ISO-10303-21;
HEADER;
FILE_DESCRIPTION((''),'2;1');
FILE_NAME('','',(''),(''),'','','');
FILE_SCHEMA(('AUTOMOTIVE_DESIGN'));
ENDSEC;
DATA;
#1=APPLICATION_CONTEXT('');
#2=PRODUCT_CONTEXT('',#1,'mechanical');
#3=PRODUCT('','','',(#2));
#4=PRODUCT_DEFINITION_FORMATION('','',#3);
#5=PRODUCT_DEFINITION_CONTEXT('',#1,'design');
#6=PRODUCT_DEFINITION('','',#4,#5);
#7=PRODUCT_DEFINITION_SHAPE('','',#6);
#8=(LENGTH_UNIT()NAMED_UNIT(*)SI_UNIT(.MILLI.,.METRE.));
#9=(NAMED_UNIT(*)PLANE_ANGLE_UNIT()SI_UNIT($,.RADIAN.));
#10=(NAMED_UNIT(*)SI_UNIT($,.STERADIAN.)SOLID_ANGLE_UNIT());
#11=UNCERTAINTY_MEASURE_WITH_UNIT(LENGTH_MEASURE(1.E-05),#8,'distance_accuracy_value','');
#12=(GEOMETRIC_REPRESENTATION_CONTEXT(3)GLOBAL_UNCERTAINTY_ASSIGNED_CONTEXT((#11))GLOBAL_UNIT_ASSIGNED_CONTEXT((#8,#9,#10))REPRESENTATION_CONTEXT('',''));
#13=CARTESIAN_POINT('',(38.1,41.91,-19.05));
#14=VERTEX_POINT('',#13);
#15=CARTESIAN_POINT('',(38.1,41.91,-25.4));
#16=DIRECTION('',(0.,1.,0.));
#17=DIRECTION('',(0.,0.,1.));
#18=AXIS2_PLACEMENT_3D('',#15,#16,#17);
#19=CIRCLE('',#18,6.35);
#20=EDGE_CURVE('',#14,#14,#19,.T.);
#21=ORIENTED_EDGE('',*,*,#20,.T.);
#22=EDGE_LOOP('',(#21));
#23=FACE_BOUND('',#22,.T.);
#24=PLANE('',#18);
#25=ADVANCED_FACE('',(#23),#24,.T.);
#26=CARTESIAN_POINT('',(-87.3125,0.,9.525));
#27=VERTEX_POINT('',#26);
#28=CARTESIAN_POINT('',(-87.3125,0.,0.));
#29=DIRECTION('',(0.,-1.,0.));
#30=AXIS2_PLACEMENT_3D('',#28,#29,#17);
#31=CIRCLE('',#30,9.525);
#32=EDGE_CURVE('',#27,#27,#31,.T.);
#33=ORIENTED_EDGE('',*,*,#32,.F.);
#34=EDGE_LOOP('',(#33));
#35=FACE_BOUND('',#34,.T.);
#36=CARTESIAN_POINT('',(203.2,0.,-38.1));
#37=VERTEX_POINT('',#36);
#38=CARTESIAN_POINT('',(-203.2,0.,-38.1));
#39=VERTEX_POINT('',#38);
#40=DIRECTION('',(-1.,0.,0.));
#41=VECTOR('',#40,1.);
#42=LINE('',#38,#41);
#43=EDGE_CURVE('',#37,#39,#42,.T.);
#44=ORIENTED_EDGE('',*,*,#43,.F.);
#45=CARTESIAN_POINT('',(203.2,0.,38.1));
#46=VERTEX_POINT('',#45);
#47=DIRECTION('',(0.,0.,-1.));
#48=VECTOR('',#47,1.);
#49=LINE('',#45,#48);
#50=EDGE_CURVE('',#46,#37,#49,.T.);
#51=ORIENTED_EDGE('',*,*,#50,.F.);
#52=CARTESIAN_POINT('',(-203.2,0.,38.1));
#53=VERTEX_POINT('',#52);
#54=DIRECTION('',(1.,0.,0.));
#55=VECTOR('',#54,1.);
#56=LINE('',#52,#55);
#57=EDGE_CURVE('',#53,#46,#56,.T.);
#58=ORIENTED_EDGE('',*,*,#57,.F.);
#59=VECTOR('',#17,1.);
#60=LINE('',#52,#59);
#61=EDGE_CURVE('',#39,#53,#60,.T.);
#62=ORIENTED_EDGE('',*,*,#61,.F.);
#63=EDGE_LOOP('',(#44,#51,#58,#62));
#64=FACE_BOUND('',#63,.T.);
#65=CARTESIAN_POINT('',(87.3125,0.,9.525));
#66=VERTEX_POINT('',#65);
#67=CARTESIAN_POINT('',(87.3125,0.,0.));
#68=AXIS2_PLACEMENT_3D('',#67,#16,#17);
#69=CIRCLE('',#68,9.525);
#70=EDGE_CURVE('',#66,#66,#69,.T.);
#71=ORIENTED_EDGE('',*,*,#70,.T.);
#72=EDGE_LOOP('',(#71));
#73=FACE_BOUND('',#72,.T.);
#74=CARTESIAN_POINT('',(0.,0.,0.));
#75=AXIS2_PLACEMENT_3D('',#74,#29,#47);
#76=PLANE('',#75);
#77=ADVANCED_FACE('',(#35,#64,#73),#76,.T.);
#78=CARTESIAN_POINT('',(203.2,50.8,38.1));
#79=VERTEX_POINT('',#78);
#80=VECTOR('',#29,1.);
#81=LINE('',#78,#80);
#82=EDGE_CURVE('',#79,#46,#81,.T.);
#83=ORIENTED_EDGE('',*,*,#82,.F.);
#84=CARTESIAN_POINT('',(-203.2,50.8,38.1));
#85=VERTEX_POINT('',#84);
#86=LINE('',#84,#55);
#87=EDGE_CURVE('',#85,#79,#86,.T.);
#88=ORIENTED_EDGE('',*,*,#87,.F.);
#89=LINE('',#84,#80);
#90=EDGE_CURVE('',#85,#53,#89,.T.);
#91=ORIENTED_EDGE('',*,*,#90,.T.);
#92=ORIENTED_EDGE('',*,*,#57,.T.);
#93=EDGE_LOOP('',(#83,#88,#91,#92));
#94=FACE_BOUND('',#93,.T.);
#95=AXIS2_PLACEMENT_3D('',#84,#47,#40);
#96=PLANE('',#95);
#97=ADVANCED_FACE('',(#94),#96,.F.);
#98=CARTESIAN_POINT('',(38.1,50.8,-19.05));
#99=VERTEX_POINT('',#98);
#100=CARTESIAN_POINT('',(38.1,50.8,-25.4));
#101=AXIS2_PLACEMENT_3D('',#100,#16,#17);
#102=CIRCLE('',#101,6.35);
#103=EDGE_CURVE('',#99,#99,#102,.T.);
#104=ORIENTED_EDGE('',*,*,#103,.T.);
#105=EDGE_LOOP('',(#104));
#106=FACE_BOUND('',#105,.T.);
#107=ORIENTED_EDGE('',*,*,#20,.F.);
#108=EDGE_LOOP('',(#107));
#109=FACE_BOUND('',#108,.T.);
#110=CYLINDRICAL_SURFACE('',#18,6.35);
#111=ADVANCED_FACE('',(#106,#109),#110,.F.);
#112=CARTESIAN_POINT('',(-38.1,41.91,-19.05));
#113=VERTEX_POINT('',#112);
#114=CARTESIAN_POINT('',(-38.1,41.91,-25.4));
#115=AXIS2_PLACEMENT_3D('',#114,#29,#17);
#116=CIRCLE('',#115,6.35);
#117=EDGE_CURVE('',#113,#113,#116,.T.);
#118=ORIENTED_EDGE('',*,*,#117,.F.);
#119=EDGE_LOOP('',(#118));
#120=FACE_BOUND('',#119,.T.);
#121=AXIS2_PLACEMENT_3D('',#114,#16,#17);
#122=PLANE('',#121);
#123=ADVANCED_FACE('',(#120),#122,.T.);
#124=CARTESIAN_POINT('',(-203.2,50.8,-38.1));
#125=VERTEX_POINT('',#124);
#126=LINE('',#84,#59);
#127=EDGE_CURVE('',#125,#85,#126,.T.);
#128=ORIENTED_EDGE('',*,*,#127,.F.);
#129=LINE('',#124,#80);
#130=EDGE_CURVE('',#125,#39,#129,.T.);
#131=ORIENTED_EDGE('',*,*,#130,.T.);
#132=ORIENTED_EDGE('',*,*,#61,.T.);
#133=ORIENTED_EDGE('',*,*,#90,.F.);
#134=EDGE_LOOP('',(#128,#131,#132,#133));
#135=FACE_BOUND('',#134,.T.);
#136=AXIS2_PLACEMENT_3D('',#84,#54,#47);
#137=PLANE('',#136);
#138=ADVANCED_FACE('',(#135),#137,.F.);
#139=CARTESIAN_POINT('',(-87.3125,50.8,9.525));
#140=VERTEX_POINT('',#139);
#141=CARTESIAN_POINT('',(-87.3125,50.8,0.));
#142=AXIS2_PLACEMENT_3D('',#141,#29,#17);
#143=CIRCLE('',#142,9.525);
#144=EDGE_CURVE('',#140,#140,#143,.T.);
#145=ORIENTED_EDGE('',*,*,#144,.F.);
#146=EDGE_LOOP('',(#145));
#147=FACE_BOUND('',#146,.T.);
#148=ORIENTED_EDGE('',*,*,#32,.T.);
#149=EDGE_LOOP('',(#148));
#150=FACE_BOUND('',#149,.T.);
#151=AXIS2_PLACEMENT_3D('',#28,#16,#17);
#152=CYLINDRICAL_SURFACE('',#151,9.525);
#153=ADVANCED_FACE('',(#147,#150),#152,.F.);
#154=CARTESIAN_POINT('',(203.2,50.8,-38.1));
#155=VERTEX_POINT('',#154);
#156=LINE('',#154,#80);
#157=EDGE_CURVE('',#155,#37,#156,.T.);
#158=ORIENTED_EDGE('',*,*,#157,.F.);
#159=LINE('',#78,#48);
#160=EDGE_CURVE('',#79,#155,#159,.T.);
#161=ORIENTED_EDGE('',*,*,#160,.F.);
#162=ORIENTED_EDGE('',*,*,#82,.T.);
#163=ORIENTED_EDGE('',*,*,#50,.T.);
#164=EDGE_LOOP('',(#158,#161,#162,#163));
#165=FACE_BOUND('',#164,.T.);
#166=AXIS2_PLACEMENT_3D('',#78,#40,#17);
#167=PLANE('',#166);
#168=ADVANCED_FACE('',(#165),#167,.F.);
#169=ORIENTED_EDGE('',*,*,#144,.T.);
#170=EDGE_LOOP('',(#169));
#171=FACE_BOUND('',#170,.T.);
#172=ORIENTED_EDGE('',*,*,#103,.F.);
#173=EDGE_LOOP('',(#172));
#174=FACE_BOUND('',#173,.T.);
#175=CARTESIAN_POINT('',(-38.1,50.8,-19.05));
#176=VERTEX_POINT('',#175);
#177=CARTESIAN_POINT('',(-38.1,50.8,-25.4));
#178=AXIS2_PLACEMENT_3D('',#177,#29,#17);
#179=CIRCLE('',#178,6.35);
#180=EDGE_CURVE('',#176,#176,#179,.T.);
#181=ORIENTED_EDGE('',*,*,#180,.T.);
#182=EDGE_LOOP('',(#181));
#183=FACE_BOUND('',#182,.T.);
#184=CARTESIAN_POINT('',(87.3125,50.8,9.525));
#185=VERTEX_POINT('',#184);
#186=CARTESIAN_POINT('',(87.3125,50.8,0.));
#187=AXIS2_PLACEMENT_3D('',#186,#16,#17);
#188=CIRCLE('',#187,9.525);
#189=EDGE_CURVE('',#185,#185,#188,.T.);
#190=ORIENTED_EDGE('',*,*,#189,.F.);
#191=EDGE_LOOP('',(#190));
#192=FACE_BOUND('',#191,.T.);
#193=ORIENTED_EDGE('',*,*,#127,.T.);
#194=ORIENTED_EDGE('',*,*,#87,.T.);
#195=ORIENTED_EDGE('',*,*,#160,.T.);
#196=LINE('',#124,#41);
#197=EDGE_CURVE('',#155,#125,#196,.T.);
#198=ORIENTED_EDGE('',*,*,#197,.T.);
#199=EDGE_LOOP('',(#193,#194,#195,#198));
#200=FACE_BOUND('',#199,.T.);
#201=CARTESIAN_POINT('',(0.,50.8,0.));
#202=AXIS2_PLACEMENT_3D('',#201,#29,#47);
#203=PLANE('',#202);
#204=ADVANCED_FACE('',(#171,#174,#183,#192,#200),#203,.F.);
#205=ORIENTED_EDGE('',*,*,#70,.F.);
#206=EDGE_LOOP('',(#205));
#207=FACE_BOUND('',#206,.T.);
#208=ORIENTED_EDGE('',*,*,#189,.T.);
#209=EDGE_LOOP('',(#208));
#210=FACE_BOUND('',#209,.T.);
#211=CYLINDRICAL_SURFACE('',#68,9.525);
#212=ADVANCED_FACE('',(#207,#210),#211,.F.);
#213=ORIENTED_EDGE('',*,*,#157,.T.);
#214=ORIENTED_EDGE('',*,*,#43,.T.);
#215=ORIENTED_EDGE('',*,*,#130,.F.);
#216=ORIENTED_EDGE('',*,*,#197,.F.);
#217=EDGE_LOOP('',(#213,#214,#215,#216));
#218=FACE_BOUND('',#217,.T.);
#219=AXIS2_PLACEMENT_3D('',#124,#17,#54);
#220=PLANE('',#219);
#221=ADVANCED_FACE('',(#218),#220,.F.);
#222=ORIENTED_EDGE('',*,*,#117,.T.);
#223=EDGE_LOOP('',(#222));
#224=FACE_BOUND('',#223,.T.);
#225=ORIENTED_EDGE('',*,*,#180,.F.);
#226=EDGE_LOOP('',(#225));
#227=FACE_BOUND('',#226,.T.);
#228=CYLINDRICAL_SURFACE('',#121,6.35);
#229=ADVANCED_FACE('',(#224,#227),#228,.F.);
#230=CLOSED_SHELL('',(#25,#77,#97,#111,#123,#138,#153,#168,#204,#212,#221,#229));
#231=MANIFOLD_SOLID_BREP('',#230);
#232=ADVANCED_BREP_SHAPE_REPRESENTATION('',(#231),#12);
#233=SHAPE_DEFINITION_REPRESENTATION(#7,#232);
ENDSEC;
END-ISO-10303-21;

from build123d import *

# Parameters (mm, degrees)
SKETCH1_W           = 406.4
SKETCH1_H           = 76.2
BOSS_EXTRUDE1_DEPTH = 50.8
SKETCH3_R           = 9.525
CUT_EXTRUDE1_DEPTH  = 50.8
SKETCH4_R           = 6.35
CUT_EXTRUDE2_DEPTH  = 8.89


with BuildPart() as part:
    # Sketch1 → Boss-Extrude1 (new body)
    with BuildSketch(Plane(origin=(0, 0, 0), x_dir=(1, 0, 0), z_dir=(0, 1, 0))):
        Rectangle(SKETCH1_W, SKETCH1_H)
    extrude(amount=BOSS_EXTRUDE1_DEPTH)

    # Sketch3 → Cut-Extrude1 (cut)
    with BuildSketch(Plane(origin=(0, 50.8, 0), x_dir=(1, 0, 0), z_dir=(0, 1, 0))):
        with Locations(Location((87.3125, 0, 0), (0, 0, 270))):
            Circle(SKETCH3_R)
    cut_extrude1 = extrude(amount=-CUT_EXTRUDE1_DEPTH, mode=Mode.SUBTRACT)

    # Sketch4 → Cut-Extrude2 (cut)
    with BuildSketch(Plane(origin=(0, 50.8, 0), x_dir=(1, 0, 0), z_dir=(0, 1, 0))):
        with Locations(Location((38.1, 25.4, 0), (0, 0, 270))):
            Circle(SKETCH4_R)
    cut_extrude2 = extrude(amount=-CUT_EXTRUDE2_DEPTH, mode=Mode.SUBTRACT)

    # Mirror1: Cut-Extrude1, Cut-Extrude2 across plane
    add(cut_extrude1.mirror(Plane(origin=(0, 0, 0), x_dir=(0, 0, 1), z_dir=(1, 0, 0))), mode=Mode.SUBTRACT)
    add(cut_extrude2.mirror(Plane(origin=(0, 0, 0), x_dir=(0, 0, 1), z_dir=(1, 0, 0))), mode=Mode.SUBTRACT)


solid = part.part
